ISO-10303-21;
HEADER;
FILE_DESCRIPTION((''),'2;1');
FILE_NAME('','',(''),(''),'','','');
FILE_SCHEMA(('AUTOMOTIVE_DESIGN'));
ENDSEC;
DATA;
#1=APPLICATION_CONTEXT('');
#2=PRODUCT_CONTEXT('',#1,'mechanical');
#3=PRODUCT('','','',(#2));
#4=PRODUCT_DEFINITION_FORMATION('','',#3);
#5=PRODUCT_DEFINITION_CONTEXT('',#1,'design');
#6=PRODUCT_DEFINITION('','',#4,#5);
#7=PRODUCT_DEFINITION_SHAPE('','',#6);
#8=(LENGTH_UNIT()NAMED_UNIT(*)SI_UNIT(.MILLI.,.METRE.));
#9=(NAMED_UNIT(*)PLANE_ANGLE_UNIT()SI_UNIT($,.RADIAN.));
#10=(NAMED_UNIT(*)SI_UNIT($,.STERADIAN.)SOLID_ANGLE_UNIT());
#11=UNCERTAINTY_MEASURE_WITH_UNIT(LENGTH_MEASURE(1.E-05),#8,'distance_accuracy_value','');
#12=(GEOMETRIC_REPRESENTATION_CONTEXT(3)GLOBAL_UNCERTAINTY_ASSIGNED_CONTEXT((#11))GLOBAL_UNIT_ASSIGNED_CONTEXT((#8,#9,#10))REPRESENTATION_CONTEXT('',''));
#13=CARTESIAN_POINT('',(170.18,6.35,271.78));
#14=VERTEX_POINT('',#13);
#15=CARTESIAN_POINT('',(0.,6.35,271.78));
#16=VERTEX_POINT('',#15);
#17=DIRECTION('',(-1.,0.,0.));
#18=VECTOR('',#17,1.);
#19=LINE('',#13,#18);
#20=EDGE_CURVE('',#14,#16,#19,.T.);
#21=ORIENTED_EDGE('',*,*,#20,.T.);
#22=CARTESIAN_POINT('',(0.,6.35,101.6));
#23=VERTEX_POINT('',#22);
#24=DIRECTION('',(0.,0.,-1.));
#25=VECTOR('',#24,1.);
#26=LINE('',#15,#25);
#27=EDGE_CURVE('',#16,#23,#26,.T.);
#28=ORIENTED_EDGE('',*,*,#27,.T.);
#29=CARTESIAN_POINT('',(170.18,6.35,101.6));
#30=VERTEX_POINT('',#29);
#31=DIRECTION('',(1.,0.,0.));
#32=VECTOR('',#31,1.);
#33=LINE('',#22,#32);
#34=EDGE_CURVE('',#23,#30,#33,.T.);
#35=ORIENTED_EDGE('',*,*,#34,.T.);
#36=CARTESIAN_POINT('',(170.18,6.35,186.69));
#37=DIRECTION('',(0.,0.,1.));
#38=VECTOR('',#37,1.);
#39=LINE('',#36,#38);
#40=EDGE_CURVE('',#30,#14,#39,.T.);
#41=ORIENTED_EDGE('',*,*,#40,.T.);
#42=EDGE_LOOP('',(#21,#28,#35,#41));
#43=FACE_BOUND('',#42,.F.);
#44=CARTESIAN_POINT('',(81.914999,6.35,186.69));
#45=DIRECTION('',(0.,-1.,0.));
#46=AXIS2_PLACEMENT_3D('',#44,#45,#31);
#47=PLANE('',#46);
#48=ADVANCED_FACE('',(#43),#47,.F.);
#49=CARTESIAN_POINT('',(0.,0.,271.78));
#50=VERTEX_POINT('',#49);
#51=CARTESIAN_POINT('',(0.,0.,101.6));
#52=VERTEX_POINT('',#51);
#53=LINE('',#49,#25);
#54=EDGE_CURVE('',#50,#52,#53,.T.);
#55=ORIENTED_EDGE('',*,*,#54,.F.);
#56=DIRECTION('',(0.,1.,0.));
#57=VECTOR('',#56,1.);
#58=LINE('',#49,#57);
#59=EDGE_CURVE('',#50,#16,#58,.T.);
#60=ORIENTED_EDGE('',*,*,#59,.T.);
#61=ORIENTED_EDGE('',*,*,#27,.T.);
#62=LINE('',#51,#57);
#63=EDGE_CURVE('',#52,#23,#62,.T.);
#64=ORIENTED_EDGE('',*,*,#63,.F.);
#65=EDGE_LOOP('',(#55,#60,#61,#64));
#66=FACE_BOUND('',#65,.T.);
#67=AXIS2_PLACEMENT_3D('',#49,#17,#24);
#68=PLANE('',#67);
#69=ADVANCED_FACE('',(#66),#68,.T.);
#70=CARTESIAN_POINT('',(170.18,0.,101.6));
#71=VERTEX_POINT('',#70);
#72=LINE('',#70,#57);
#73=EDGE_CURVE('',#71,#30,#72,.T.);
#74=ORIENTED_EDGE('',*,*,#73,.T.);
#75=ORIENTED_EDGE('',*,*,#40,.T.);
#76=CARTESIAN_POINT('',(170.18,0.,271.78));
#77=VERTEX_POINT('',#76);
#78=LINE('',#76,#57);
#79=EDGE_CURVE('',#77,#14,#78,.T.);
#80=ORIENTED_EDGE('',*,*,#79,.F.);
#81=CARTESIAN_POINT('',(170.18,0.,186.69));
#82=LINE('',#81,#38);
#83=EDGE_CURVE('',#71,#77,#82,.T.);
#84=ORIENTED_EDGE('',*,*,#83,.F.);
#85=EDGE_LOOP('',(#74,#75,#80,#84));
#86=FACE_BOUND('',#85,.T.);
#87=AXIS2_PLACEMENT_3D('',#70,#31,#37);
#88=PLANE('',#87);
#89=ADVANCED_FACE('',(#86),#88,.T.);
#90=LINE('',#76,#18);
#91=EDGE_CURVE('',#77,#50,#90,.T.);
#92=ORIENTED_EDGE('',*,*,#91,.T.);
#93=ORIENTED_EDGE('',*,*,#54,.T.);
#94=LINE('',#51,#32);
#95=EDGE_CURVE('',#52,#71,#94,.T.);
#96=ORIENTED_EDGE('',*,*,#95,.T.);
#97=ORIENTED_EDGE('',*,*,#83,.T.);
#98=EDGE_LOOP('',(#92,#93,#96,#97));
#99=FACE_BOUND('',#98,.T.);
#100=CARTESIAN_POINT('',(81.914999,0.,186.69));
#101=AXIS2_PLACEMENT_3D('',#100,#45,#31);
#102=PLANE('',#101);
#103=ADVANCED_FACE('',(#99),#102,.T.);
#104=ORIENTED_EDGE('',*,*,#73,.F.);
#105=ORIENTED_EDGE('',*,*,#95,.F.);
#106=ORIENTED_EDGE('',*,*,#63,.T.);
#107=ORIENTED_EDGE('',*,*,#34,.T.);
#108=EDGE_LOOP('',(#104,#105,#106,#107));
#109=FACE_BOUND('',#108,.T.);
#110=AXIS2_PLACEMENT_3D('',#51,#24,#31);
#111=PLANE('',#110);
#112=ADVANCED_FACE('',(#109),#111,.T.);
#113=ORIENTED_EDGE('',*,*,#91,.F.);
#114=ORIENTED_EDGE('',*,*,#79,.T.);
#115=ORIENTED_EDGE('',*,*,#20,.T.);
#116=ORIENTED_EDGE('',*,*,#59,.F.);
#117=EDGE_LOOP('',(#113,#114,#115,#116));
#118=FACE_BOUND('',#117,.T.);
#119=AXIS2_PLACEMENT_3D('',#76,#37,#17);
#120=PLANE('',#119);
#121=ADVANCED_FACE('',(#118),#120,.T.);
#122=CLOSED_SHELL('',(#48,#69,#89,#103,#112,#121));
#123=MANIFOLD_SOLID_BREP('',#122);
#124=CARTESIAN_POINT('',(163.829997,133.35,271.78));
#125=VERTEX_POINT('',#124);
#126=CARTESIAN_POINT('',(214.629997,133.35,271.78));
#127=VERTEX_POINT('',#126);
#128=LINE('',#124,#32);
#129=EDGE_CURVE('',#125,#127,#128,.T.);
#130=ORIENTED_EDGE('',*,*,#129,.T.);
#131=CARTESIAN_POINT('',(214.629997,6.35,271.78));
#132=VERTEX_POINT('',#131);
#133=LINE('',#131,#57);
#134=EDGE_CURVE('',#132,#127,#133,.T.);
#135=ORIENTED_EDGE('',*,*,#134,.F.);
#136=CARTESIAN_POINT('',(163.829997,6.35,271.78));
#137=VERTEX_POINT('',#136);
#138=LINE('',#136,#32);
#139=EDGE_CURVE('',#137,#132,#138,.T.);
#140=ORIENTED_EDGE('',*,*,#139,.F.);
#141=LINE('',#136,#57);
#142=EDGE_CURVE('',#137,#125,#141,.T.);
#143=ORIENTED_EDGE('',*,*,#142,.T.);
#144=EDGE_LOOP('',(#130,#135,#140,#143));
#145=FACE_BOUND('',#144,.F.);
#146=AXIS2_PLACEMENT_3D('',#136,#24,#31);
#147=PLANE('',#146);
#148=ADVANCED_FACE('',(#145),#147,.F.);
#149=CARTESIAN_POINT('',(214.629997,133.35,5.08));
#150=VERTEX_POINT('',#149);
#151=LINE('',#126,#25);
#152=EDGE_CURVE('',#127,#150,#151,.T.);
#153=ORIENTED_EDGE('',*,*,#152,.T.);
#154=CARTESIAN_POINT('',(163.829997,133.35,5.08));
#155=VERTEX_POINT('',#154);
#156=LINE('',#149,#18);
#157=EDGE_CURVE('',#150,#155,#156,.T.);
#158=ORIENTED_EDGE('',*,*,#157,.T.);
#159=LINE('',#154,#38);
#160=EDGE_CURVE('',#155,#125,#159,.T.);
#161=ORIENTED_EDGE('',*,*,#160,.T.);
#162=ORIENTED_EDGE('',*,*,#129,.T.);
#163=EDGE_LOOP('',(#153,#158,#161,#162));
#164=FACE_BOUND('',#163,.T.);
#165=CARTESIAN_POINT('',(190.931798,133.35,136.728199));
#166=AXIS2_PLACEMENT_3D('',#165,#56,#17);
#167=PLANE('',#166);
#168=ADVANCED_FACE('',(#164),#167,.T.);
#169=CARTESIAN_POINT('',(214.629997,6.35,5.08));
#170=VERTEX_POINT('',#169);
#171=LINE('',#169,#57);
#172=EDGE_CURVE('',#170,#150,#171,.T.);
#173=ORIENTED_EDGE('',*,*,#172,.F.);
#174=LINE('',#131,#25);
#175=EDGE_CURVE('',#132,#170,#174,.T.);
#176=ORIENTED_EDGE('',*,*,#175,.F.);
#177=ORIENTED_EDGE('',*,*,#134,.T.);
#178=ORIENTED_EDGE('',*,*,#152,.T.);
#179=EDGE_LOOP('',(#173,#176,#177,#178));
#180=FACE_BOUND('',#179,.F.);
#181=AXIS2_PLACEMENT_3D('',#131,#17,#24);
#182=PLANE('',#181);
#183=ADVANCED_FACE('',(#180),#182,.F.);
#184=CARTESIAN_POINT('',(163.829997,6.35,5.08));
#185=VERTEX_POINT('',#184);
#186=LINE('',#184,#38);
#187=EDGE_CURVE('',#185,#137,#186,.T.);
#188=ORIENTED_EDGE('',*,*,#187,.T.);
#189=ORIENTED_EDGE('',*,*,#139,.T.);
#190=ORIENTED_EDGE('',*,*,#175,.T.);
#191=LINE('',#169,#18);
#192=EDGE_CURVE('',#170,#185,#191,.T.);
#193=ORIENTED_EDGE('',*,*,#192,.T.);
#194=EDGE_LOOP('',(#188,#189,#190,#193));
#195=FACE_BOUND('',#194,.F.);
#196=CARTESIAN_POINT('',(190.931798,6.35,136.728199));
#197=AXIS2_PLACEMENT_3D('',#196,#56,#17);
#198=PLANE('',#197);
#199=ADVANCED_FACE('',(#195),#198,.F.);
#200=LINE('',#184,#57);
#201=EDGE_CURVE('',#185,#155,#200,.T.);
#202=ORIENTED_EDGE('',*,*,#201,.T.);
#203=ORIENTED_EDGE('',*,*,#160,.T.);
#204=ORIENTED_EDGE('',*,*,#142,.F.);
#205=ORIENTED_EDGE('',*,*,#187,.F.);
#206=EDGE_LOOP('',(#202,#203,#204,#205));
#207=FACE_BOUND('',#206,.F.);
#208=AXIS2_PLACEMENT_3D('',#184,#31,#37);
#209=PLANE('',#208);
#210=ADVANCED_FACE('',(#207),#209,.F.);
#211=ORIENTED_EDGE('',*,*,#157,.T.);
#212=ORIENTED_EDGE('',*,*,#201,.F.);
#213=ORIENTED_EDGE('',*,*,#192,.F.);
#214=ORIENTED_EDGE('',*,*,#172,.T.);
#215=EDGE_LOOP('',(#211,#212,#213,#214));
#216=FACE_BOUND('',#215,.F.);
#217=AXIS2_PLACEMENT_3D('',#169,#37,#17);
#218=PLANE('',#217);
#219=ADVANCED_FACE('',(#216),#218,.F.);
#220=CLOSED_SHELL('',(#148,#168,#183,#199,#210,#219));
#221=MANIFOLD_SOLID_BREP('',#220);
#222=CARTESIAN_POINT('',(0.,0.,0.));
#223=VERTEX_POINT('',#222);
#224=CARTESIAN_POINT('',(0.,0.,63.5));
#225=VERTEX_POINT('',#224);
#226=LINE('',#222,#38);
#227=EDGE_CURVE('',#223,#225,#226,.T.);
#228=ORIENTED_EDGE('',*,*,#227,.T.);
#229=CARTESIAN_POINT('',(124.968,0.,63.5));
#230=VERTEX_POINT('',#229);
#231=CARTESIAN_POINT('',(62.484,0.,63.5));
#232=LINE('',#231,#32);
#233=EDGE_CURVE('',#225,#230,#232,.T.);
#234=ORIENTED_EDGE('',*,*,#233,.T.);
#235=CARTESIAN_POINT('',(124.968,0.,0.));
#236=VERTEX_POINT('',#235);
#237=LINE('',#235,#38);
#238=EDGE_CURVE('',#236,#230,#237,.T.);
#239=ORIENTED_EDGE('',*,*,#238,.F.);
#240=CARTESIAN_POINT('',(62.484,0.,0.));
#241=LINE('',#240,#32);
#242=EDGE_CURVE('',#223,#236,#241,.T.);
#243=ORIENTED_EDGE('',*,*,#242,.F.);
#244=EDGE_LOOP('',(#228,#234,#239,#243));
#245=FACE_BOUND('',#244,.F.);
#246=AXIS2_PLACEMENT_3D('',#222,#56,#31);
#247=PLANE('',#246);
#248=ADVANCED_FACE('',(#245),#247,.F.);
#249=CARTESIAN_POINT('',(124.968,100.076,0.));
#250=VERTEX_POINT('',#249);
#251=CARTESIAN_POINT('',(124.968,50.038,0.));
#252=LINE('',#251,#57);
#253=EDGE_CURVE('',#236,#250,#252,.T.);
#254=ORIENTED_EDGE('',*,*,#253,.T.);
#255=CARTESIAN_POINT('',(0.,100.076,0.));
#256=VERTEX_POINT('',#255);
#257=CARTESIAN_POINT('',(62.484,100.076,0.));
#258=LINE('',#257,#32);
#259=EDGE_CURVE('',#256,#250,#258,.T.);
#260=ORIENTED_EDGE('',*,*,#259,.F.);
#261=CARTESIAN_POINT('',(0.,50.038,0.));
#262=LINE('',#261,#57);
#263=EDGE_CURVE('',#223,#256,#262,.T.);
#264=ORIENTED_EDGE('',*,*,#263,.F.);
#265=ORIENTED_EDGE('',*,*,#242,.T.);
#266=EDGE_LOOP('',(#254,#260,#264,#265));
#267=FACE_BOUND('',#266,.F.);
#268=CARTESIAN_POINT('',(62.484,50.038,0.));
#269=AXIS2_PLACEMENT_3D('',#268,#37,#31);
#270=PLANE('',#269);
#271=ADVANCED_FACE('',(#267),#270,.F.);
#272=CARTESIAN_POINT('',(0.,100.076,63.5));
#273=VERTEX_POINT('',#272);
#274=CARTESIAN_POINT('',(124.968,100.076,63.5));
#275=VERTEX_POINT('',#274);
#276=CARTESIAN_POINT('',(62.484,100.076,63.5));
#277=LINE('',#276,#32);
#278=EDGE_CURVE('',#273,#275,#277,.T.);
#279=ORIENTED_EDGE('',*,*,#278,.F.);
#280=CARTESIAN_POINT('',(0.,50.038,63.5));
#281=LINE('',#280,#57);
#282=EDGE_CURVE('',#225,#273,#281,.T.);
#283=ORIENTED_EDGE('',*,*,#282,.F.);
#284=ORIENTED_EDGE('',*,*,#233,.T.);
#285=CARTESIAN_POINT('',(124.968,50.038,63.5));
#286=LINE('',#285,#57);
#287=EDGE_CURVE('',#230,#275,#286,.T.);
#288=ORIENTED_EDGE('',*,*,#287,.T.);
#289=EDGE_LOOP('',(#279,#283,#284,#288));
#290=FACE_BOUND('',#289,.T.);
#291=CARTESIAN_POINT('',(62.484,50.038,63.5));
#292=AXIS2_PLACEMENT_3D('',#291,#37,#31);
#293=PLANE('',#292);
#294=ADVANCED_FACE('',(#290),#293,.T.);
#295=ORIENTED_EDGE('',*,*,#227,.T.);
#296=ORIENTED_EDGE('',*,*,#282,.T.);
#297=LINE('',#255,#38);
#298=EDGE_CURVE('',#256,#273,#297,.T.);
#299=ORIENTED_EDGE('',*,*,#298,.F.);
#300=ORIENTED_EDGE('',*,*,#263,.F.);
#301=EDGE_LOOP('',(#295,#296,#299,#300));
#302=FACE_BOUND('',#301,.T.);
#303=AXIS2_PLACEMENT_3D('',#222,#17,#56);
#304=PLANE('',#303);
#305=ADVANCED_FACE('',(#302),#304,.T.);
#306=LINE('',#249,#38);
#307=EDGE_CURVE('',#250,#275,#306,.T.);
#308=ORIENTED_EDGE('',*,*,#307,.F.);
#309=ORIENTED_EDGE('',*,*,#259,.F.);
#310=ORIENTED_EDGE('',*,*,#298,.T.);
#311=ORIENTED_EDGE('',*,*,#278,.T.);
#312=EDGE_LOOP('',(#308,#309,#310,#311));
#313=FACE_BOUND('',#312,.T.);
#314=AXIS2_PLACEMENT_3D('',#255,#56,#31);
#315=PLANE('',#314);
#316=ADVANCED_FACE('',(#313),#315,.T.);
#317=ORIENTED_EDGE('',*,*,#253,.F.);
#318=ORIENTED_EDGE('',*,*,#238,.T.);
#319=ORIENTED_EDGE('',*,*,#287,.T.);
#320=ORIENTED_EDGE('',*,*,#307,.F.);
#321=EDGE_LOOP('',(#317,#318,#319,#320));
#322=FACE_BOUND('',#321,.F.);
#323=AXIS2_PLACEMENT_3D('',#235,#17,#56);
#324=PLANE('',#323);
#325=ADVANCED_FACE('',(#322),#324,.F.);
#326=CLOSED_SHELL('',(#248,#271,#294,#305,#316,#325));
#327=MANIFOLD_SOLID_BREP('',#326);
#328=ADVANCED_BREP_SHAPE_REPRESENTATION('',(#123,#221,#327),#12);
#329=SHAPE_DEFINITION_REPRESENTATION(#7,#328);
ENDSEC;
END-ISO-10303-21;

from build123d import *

# Parameters (mm, degrees)
F0_W     = 124.968
F0_H     = 100.076
F1_DEPTH = 63.5
F2_W     = 6.3500028181
F2_H     = 170.18
F3_DEPTH = 6.35
F4_W     = 6.3500028181
F4_H     = 170.18
F5_DEPTH = 127


with BuildPart() as f1:
    # F0 (on Top) → F1 (new body)
    with BuildSketch(Plane.XY):
        with Locations((62.484, 50.038)):
            Rectangle(F0_W, F0_H)
    extrude(amount=F1_DEPTH)


with BuildPart() as f3:
    # F2 (on face) → F3 (new body)
    with BuildSketch(Plane.XZ):
        Polygon((0, 271.78), (0, 101.6), (124.968, 101.6), (163.8299971819, 101.6), (163.8299971819, 271.78), align=None)
        with Locations((167.0049985909, 186.69)):
            Rectangle(F2_W, F2_H)
    extrude(amount=-F3_DEPTH)


with BuildPart() as f5:
    # F4 (on face) → F5 (new body)
    with BuildSketch(Plane(origin=(0, 6.35, 0), x_dir=(-1, 0, 0), z_dir=(0, 1, 0))):
        Polygon((-163.8299971819, 101.6), (-170.18, 101.6), (-170.18, 271.78), (-214.6299971819, 271.78), (-214.6299971819, 5.08), (-163.8299971819, 5.08), align=None)
        with Locations((-167.0049985909, 186.69)):
            Rectangle(F4_W, F4_H)
    extrude(amount=F5_DEPTH)


solid = Compound([f1.part, f3.part, f5.part])
